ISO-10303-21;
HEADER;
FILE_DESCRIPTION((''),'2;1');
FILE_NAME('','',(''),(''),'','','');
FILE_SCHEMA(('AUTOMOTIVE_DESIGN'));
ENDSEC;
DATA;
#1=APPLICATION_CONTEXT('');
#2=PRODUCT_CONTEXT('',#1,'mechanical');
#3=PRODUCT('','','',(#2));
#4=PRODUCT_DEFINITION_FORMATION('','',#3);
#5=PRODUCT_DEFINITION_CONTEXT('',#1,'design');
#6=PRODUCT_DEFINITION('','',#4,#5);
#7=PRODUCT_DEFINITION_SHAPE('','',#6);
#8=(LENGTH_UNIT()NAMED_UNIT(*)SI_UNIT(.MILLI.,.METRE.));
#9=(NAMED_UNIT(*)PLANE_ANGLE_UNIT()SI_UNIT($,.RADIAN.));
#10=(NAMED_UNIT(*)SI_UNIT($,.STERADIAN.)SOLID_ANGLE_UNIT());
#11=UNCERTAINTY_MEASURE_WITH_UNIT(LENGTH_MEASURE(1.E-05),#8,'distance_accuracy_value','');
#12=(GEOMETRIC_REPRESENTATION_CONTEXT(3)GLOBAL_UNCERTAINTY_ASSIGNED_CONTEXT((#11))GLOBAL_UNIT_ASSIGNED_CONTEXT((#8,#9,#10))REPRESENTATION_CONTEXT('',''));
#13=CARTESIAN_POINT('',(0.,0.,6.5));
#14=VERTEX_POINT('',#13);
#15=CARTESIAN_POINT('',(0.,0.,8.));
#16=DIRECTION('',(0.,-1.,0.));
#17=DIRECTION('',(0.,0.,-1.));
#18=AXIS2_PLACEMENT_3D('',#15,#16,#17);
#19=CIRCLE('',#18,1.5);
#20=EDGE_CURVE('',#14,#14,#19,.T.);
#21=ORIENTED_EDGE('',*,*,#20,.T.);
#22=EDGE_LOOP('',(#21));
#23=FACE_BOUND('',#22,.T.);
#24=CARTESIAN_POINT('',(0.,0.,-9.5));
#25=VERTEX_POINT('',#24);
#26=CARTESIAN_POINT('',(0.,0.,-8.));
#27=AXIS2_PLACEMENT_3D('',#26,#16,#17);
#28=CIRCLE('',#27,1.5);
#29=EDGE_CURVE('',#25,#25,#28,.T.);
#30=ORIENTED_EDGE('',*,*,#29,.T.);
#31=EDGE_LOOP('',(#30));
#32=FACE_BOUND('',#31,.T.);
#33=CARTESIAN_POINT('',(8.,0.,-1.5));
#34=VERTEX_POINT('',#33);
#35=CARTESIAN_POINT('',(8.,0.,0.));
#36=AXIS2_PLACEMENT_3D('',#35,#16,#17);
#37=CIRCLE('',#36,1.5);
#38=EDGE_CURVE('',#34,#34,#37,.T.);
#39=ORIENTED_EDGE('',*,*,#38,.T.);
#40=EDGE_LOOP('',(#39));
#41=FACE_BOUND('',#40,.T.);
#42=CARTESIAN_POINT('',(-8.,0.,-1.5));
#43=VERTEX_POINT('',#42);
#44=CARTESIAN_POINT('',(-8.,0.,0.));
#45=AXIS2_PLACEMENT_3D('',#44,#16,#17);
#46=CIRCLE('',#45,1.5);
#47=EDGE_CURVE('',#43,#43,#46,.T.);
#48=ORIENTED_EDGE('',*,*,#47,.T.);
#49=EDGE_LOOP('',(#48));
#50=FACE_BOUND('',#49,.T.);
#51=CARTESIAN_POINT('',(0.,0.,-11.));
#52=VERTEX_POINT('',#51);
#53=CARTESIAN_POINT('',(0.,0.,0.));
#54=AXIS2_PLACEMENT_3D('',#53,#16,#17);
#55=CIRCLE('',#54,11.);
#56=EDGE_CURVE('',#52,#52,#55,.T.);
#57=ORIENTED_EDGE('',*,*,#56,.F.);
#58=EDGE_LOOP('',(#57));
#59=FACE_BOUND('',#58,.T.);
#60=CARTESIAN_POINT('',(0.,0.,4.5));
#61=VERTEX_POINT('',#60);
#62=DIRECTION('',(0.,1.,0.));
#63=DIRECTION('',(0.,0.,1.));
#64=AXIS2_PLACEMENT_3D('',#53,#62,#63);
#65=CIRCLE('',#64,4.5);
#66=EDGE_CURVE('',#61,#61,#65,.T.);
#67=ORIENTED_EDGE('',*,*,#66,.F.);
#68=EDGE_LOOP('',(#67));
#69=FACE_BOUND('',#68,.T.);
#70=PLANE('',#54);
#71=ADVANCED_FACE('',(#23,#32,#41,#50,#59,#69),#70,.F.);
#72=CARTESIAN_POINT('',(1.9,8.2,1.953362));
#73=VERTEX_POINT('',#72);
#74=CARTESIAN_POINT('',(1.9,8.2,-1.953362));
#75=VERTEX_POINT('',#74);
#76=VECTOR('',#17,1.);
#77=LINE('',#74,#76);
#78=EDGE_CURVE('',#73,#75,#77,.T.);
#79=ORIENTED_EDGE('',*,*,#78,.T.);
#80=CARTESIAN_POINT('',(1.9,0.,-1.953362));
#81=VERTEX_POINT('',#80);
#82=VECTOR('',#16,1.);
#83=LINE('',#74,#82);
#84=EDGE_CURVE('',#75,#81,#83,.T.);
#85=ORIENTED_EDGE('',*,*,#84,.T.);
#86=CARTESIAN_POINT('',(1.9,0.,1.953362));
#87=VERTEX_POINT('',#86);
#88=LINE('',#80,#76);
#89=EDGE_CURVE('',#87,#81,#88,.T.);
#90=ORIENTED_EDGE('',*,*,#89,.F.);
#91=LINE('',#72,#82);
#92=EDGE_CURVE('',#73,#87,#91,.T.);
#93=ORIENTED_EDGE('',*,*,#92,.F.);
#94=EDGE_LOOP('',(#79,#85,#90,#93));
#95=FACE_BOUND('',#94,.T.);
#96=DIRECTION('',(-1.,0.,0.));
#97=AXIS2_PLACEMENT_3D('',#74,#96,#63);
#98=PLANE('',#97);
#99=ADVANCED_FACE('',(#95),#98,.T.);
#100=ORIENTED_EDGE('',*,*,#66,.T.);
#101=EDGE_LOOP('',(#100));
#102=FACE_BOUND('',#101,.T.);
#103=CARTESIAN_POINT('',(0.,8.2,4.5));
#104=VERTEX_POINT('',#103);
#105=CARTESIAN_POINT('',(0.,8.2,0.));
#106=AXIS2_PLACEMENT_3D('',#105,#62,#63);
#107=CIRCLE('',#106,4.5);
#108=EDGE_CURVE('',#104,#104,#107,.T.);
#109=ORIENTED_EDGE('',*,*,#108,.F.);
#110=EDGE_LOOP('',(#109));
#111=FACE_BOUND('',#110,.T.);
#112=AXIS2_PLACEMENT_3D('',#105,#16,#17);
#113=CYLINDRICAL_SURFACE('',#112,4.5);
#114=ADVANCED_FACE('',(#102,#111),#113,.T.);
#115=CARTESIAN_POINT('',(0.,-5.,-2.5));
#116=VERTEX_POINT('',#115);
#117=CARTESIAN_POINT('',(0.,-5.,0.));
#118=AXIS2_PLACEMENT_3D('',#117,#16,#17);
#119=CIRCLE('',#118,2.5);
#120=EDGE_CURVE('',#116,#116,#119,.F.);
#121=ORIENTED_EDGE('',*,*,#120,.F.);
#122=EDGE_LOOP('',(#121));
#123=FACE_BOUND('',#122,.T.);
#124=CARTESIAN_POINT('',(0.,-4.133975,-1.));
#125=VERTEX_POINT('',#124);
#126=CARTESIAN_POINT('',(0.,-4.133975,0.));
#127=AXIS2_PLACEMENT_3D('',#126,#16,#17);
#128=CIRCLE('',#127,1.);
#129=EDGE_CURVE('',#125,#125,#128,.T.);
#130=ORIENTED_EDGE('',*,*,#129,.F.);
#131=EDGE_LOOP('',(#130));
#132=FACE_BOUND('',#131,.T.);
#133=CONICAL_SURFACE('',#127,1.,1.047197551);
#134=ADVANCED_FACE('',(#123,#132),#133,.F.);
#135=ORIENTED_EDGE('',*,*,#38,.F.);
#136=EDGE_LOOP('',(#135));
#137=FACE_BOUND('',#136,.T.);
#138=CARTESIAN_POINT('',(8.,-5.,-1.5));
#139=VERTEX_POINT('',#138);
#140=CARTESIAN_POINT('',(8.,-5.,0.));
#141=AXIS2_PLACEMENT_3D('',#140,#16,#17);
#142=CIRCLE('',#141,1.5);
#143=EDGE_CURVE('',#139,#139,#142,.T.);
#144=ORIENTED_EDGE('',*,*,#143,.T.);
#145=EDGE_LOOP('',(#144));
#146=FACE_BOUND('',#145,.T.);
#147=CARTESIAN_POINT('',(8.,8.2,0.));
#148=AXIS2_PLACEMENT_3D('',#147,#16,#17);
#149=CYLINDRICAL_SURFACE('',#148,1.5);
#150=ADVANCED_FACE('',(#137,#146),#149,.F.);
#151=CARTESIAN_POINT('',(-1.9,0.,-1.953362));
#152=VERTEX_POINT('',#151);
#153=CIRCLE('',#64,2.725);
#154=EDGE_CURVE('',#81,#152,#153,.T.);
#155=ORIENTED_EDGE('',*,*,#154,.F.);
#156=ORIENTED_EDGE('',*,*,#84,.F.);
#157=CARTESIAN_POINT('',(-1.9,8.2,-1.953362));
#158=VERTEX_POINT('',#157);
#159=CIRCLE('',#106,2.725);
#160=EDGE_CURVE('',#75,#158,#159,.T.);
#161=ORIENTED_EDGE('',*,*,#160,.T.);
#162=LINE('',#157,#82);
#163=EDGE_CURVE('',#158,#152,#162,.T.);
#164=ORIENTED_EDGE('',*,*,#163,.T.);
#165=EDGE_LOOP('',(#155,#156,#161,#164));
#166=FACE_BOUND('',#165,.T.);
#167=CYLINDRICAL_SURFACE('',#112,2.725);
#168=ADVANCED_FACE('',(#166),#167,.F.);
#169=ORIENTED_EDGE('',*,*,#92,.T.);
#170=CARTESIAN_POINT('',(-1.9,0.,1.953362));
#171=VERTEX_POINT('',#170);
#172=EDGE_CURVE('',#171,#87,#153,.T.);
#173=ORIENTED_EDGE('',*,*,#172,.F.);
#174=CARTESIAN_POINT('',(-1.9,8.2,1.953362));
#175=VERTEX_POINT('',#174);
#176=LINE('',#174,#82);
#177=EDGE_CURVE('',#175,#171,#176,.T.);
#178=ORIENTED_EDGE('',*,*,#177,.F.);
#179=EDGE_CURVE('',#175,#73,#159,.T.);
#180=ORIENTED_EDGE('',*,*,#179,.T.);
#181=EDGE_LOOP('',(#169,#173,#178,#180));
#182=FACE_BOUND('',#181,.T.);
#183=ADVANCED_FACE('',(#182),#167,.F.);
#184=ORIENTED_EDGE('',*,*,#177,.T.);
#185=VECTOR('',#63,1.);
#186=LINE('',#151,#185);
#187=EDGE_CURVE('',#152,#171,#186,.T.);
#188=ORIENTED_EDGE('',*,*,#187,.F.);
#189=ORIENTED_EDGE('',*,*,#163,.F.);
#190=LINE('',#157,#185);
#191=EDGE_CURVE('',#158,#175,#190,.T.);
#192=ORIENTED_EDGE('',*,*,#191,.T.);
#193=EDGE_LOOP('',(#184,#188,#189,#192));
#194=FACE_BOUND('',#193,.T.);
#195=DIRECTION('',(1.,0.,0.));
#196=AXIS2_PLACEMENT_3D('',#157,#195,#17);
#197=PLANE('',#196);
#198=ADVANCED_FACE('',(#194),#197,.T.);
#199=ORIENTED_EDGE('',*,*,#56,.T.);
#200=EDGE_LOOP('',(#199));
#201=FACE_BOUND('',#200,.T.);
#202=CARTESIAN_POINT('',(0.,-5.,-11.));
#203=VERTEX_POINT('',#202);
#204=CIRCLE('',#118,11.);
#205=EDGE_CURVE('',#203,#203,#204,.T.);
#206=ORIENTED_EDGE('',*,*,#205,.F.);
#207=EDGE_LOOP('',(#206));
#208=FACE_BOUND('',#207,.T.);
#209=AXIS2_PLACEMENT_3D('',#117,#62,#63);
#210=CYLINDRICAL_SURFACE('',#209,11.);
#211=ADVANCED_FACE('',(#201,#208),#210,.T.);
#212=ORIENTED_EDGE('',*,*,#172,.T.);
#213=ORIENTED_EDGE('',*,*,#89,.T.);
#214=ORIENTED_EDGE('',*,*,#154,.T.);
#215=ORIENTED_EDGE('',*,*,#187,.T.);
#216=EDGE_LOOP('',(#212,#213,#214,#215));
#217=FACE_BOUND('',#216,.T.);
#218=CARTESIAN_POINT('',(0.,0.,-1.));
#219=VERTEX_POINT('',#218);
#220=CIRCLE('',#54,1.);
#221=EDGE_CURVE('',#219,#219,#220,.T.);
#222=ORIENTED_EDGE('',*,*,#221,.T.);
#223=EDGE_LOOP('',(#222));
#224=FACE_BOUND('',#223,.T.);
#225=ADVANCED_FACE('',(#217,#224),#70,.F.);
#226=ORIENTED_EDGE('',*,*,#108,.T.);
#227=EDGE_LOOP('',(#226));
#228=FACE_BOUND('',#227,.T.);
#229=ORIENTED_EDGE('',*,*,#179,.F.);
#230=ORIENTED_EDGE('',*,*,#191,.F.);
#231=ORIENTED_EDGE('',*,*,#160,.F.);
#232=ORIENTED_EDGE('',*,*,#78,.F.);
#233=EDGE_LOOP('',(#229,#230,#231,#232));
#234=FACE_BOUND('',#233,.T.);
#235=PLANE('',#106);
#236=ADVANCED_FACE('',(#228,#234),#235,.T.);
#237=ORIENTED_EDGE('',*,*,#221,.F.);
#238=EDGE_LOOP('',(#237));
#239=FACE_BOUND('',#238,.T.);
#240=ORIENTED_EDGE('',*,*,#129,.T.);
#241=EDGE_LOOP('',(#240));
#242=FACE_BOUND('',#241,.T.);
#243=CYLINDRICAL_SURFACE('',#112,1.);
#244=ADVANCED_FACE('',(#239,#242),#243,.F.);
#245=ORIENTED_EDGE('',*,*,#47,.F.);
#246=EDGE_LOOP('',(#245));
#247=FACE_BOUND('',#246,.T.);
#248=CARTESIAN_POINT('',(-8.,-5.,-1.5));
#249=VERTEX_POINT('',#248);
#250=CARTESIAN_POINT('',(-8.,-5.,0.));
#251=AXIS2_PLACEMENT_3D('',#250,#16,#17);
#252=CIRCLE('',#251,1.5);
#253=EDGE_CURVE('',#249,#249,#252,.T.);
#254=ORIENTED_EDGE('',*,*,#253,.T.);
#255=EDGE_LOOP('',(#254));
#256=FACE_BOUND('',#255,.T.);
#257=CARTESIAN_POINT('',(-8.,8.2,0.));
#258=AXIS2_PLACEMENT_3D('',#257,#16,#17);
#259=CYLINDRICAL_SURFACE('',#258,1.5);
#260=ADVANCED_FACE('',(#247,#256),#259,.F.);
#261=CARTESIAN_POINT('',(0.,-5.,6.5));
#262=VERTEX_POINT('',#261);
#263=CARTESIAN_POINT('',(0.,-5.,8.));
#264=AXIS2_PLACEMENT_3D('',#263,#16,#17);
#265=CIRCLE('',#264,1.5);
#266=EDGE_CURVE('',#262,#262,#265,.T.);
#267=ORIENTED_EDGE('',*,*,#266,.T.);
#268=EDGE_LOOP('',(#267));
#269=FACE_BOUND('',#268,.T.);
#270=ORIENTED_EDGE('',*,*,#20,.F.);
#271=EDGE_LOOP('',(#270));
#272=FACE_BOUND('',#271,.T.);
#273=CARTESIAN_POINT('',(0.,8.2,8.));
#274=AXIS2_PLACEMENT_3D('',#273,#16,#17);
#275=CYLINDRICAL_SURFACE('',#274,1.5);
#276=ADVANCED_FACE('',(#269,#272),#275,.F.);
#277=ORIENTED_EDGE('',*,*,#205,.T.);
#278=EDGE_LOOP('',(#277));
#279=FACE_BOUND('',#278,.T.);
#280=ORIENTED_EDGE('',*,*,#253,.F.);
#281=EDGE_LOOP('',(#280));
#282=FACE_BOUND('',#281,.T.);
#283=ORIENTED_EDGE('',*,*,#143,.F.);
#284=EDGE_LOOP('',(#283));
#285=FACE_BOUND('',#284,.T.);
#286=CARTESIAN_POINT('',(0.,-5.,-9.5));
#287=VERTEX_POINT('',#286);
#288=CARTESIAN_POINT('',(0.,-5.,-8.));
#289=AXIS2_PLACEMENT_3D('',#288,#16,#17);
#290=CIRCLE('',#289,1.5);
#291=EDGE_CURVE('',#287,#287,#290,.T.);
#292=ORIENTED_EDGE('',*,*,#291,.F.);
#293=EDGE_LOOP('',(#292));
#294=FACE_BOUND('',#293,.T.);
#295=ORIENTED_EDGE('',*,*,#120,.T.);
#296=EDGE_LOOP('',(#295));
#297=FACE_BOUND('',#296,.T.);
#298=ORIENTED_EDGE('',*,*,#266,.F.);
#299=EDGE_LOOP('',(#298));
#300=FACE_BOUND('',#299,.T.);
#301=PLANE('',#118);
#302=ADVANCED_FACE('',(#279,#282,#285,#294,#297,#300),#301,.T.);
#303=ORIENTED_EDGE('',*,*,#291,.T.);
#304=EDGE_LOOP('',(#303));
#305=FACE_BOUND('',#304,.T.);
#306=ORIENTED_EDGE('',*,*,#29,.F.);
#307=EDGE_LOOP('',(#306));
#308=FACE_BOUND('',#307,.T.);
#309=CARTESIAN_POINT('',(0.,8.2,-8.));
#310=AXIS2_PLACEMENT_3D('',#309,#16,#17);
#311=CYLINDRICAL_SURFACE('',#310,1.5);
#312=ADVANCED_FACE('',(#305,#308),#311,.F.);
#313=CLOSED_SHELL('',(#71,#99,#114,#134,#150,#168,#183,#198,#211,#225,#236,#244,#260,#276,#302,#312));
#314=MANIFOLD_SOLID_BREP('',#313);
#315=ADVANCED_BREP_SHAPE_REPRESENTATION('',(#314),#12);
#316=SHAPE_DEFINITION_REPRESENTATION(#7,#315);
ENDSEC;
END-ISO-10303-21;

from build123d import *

# Parameters (mm, degrees)
SKETCH1_R           = 4.5
BOSS_EXTRUDE1_DEPTH = 8.2
SKETCH2_R           = 11
BOSS_EXTRUDE2_DEPTH = 5
SKETCH3_R           = 1
CUT_EXTRUDE1_DEPTH  = 21.40196069
SKETCH4_R           = 1.5
CUT_EXTRUDE2_DEPTH  = 21.40196069
CHAMFER1_SIZE       = 1.5
CHAMFER1_SIZE2      = 0.866025404


with BuildPart() as part:
    # Sketch1 → Boss-Extrude1 (new body)
    with BuildSketch(Plane(origin=(0, 0, 0), x_dir=(1, 0, 0), z_dir=(0, 1, 0))):
        Circle(SKETCH1_R)
        with BuildLine():
            Line((-1.9, 1.953362486), (-1.9, -1.953362486))
            ThreePointArc((-1.9, -1.953362486), (0, -2.725), (1.9, -1.953362486))
            Line((1.9, -1.953362486), (1.9, 1.953362486))
            ThreePointArc((1.9, 1.953362486), (0, 2.725), (-1.9, 1.953362486))
        make_face(mode=Mode.SUBTRACT)
    extrude(amount=BOSS_EXTRUDE1_DEPTH)

    # Sketch2 → Boss-Extrude2 (add)
    with BuildSketch(Plane.XZ):
        Circle(SKETCH2_R)
    extrude(amount=BOSS_EXTRUDE2_DEPTH)

    # Sketch3 → Cut-Extrude1 (cut, through all)
    with BuildSketch(Plane.XZ.offset(5)):
        Circle(SKETCH3_R)
    extrude(amount=-CUT_EXTRUDE1_DEPTH, mode=Mode.SUBTRACT)

    # Sketch4 → Cut-Extrude2 (cut, through all)
    with BuildSketch(Plane.XZ.offset(5)):
        with Locations((0, 8)):
            Circle(SKETCH4_R)
        with Locations((-8, 0)):
            Circle(SKETCH4_R)
        with Locations((0, -8)):
            Circle(SKETCH4_R)
        with Locations((8, 0)):
            Circle(SKETCH4_R)
    extrude(amount=-CUT_EXTRUDE2_DEPTH, mode=Mode.SUBTRACT)

    # Chamfer1
    chamfer1_edges = [part.edges().sort_by_distance(p)[0] for p in [
        (-1, -5, 0),
    ]]
    chamfer1_side = [part.faces().sort_by_distance(p)[0] for p in [
        (-10.688873016, -5, 0),
    ]]
    chamfer(chamfer1_edges, length=CHAMFER1_SIZE, length2=CHAMFER1_SIZE2, reference=chamfer1_side[0])


solid = part.part
